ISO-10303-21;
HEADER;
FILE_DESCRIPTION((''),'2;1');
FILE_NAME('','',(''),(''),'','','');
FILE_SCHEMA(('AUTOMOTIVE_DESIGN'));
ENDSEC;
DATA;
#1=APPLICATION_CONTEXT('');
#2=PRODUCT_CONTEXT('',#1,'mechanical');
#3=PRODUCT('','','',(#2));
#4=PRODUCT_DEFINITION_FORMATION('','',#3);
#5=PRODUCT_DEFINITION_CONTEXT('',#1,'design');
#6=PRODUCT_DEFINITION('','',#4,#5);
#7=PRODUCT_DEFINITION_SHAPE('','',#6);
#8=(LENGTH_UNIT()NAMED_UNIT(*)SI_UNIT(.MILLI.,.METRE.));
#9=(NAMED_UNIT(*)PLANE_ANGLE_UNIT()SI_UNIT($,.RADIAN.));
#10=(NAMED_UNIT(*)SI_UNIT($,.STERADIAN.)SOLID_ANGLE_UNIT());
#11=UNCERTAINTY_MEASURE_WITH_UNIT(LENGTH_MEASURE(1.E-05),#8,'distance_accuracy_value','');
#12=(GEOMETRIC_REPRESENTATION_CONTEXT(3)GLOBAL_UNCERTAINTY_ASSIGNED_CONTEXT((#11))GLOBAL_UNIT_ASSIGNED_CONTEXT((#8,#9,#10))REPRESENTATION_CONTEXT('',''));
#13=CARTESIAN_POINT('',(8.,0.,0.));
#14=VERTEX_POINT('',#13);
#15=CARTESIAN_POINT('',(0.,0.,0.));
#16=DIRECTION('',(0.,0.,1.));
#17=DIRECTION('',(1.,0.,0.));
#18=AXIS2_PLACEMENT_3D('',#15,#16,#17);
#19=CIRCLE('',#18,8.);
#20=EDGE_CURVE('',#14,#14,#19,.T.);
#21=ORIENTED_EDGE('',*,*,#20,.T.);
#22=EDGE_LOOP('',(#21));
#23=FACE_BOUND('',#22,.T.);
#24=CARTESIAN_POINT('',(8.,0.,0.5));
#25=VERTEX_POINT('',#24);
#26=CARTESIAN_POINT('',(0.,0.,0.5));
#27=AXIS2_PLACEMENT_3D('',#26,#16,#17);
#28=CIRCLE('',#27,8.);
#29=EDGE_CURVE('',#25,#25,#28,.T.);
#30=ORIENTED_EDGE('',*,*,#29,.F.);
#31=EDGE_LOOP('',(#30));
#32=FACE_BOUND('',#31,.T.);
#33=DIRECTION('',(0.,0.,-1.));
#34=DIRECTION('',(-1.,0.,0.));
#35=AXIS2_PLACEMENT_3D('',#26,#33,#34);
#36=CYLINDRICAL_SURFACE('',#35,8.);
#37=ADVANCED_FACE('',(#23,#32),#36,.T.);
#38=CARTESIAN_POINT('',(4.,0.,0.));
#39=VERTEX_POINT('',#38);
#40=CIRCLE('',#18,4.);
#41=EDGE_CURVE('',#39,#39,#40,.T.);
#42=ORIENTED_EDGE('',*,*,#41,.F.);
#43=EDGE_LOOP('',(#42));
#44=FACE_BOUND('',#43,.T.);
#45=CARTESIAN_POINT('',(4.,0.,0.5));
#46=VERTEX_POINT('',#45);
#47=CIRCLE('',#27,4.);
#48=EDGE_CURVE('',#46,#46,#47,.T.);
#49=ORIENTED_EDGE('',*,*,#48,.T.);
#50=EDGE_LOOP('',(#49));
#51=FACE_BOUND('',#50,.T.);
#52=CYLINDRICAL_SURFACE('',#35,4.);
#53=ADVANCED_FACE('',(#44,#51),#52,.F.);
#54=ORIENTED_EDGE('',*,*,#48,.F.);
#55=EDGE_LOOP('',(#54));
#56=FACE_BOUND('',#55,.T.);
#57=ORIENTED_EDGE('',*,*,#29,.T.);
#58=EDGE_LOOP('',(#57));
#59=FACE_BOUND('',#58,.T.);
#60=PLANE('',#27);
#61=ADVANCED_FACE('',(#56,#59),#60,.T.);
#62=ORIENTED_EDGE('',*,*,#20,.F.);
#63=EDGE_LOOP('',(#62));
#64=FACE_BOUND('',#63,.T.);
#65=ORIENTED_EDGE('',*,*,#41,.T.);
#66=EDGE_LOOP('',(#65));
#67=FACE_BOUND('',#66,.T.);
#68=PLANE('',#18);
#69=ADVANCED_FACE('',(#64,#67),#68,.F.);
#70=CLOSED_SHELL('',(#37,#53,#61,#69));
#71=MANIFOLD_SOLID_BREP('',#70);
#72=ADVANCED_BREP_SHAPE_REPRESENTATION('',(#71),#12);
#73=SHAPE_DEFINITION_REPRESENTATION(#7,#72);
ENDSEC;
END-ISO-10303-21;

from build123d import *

# Parameters (mm, degrees)
SKETCH_1_R      = 8
SKETCH_1_R_2    = 4
EXTRUDE_1_DEPTH = 0.5


with BuildPart() as part:
    # 草图1 → 凸台-拉伸1 (new body)
    with BuildSketch(Plane.XY):
        Circle(SKETCH_1_R)
        Circle(SKETCH_1_R_2, mode=Mode.SUBTRACT)
    extrude(amount=EXTRUDE_1_DEPTH)


solid = part.part
